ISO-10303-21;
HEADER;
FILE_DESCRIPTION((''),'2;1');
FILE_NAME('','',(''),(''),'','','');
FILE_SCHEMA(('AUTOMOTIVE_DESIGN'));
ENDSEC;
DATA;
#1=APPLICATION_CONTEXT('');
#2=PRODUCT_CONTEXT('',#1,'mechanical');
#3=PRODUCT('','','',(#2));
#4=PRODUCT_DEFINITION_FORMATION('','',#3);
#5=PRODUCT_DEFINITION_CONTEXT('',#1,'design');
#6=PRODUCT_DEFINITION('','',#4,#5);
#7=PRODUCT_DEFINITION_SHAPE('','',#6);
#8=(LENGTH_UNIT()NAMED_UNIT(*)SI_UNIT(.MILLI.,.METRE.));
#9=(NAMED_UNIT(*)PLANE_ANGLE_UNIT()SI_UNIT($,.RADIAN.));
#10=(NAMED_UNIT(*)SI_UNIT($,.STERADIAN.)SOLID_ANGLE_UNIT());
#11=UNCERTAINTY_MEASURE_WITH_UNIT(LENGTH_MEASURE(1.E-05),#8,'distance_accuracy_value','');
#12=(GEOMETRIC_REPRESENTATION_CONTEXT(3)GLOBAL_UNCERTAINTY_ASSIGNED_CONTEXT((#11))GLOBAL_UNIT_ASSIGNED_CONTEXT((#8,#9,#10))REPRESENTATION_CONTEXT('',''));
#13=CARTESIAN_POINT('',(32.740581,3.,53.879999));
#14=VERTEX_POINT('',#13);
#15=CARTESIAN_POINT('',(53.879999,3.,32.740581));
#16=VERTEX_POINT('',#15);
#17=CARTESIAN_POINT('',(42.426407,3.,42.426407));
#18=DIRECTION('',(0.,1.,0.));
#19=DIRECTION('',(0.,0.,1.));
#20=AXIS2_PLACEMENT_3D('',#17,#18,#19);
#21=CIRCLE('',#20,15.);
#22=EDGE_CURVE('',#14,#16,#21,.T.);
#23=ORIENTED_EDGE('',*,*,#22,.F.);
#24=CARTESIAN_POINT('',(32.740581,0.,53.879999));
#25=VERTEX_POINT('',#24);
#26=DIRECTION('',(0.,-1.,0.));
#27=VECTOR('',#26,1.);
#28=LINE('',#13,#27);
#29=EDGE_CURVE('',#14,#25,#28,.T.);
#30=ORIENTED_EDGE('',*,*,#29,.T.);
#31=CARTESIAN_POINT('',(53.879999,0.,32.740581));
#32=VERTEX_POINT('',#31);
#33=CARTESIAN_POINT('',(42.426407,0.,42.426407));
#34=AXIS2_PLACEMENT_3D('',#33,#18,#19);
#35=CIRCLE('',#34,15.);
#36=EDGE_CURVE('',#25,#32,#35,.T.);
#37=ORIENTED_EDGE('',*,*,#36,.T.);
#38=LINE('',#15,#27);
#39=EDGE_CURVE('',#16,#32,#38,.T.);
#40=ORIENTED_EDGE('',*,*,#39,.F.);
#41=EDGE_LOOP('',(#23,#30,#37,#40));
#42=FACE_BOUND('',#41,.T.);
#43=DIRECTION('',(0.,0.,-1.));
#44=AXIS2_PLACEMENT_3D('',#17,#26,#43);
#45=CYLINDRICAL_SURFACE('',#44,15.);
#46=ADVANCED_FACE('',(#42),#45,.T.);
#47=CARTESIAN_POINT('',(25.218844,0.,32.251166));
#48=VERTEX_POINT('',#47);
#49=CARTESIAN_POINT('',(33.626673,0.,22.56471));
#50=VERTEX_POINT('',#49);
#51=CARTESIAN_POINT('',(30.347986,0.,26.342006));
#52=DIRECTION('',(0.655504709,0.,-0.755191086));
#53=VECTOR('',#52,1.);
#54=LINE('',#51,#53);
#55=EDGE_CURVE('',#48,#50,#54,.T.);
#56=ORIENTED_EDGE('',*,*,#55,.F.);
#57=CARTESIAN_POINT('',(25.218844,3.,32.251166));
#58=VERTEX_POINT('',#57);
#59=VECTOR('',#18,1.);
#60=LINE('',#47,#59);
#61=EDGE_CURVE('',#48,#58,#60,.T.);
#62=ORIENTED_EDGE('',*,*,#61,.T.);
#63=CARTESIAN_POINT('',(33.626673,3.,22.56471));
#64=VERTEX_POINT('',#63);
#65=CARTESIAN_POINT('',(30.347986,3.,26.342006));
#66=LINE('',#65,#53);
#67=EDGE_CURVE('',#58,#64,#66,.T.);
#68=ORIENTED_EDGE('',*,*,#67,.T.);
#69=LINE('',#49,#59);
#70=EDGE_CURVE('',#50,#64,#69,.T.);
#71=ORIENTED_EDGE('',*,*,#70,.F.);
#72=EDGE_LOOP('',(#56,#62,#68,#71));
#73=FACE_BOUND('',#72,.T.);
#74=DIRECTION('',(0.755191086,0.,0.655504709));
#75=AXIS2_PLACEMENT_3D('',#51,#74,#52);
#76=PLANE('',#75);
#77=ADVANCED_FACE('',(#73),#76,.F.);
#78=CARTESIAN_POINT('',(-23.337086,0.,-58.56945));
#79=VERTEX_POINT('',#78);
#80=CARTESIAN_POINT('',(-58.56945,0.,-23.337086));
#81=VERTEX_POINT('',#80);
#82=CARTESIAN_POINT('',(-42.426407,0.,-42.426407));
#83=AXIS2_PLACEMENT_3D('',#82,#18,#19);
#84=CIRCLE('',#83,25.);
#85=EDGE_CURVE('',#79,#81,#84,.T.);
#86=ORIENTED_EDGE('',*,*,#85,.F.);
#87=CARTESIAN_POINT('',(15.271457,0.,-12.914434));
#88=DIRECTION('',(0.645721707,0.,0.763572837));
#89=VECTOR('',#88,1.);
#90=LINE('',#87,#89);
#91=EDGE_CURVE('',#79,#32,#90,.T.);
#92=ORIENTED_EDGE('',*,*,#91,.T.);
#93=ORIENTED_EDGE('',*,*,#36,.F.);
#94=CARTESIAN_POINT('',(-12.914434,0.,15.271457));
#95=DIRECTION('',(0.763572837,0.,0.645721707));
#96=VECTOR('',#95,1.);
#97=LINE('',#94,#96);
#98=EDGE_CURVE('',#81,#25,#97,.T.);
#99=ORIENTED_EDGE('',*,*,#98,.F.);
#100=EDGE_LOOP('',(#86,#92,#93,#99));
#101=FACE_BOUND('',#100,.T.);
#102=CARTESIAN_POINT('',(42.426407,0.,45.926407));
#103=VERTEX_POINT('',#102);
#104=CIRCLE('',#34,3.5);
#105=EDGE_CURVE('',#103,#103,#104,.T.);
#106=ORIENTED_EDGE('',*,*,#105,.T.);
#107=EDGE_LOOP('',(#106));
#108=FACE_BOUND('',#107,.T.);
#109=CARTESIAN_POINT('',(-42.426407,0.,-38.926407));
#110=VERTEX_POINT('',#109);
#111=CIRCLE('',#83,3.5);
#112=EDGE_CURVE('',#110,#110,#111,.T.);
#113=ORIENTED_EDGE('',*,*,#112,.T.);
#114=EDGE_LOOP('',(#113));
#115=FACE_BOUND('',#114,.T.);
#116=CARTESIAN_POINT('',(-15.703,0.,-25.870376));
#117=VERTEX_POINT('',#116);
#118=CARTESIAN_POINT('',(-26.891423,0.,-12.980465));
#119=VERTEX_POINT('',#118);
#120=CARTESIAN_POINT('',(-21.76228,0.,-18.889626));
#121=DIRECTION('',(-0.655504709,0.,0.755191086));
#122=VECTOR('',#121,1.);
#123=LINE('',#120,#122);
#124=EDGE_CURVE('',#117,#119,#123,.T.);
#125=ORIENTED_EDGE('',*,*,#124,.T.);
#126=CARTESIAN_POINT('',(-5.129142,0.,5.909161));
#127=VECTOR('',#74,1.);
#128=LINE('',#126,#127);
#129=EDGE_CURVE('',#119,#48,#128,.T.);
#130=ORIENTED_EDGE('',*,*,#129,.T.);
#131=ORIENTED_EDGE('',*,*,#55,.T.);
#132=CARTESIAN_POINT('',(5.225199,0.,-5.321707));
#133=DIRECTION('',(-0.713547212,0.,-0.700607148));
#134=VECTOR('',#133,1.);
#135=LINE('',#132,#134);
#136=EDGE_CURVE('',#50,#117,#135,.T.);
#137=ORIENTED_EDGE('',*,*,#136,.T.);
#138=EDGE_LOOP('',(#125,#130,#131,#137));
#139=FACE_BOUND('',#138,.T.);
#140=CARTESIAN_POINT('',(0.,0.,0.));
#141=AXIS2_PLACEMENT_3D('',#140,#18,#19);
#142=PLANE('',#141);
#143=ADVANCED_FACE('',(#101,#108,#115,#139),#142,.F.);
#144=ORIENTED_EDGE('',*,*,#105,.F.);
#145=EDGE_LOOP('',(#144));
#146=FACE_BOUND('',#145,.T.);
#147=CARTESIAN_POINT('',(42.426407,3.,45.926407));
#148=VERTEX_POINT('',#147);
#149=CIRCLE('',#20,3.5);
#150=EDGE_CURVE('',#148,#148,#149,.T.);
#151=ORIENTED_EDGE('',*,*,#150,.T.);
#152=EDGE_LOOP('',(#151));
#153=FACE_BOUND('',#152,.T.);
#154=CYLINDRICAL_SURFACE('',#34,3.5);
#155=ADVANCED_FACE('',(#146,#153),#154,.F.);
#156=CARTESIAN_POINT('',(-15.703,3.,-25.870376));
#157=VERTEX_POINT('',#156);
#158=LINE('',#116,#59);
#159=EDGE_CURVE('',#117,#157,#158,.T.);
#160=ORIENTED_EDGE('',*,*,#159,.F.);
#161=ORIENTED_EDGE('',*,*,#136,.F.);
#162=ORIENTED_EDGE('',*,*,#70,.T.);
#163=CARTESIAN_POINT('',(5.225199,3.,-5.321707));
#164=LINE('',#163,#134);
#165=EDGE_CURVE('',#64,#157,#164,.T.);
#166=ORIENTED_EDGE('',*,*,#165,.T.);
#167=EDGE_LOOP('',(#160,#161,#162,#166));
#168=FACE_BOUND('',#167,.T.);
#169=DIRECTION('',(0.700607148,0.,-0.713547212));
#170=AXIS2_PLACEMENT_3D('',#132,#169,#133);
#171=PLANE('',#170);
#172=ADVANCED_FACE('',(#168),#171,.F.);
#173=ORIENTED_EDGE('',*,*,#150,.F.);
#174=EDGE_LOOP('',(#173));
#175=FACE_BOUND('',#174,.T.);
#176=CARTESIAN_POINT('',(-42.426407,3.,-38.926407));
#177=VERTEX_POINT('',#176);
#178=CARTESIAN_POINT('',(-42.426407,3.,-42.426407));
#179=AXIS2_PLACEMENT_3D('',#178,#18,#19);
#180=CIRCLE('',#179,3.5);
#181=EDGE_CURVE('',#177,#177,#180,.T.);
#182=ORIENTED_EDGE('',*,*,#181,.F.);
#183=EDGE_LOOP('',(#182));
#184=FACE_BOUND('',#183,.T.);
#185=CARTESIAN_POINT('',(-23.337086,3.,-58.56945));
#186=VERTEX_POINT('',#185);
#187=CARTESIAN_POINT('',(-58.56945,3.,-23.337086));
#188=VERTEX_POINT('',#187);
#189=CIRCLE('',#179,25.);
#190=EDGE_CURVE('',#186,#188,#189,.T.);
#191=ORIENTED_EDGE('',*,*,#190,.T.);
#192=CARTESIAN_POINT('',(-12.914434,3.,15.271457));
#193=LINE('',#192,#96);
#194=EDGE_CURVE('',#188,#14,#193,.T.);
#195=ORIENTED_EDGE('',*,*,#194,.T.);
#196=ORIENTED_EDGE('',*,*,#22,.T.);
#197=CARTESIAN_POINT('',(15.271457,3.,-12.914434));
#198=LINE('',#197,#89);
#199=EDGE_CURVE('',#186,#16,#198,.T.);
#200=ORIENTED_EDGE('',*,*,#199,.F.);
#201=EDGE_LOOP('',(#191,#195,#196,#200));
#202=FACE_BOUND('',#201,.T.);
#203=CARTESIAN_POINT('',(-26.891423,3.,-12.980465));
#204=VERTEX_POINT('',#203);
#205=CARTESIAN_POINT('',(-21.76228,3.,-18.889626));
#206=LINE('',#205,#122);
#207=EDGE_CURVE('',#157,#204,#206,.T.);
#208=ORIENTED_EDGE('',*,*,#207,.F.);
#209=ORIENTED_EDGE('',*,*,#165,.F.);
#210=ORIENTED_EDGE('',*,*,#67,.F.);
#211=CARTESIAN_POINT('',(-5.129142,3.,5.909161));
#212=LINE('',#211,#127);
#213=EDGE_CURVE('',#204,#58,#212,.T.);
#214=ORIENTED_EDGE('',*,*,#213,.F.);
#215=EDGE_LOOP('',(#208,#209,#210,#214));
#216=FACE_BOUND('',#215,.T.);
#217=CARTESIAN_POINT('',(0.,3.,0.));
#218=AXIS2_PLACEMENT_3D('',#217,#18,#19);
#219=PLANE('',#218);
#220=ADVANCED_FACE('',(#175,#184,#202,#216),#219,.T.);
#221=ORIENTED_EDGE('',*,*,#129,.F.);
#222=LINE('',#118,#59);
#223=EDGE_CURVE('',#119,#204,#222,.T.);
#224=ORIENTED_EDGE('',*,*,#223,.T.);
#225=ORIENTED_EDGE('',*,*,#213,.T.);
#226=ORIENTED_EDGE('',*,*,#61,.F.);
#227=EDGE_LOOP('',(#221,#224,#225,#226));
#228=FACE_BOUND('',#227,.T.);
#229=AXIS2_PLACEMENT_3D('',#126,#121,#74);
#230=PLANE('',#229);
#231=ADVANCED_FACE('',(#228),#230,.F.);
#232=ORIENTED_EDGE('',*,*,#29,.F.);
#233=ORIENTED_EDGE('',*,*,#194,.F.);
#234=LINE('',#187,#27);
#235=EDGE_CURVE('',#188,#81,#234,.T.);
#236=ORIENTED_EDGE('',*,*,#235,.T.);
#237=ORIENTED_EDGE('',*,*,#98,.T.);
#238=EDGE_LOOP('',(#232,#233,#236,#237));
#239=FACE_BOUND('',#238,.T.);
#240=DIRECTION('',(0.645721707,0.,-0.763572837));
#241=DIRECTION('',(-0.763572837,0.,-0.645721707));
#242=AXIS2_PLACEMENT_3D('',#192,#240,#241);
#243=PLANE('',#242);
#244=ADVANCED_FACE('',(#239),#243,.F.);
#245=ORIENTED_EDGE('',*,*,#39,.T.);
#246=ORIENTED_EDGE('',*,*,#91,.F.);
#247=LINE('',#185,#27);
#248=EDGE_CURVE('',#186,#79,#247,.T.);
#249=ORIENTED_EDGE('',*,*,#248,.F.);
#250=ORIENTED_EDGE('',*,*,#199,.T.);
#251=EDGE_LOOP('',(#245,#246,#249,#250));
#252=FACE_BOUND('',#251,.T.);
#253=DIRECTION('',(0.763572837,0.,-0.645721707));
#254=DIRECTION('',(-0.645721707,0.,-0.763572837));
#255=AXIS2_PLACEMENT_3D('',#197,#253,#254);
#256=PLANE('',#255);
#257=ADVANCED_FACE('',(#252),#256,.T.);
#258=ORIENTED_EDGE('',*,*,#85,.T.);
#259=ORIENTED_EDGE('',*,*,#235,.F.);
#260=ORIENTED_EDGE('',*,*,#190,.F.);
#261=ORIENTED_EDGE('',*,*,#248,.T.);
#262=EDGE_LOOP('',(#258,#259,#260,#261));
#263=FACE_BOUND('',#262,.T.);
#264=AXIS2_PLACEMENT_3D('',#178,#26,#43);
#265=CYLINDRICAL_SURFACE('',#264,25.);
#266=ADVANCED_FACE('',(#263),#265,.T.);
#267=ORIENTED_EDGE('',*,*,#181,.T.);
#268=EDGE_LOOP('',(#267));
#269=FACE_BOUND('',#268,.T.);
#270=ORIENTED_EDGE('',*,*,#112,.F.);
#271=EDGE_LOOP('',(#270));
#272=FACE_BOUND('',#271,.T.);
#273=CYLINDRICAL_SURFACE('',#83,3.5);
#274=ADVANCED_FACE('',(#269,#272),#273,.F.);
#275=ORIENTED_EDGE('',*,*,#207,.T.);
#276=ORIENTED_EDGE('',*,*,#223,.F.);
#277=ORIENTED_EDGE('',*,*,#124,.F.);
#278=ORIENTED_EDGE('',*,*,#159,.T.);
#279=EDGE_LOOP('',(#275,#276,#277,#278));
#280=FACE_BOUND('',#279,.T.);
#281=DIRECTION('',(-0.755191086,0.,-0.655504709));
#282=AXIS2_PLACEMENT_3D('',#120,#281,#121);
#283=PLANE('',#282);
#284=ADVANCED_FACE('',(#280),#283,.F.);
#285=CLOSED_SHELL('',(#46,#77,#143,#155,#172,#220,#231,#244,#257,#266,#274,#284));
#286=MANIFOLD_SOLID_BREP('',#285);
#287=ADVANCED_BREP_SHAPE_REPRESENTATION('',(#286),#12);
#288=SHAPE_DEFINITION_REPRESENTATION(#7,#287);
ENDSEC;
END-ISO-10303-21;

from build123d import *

# Parameters (mm, degrees)
EXTRUDE_2_DEPTH     = 3
SKETCH_4_R          = 2.25
SKETCH_4_R_2        = 2.5
CUT_EXTRUDE_2_DEPTH = 96.402519291
SKETCH_6_R          = 3.5
CUT_EXTRUDE_3_DEPTH = 96.402519291
SKETCH_7_R          = 3.5
CUT_EXTRUDE_4_DEPTH = 96.402519291
CUT_EXTRUDE_5_DEPTH = 96.402519291


with BuildPart() as part:
    # 草图2 → 凸台-拉伸2 (new body)
    with BuildSketch(Plane(origin=(0, 0, 0), x_dir=(1, 0, 0), z_dir=(0, 1, 0))):
        with BuildLine():
            Line((-58.569449541, 23.337085947), (32.740581269, -53.879999426))
            ThreePointArc((32.740581269, -53.879999426), (53.033008589, -53.033008589), (53.879999426, -32.740581269))
            Line((53.879999426, -32.740581269), (-23.337085947, 58.569449541))
            ThreePointArc((-23.337085947, 58.569449541), (-60.104076401, 60.104076401), (-58.569449541, 23.337085947))
        make_face()
    extrude(amount=EXTRUDE_2_DEPTH)

    # 草图4 → 切除-拉伸2 (cut, through all)
    with BuildSketch(Plane(origin=(0, 3, 0), x_dir=(1, 0, 0), z_dir=(0, 1, 0))):
        with Locations(Location((-42.426406871, 42.426406871, 0), (0, 0, 270))):
            Circle(SKETCH_4_R)
        with Locations(Location((42.426406871, -42.426406871, 0), (0, 0, 270))):
            Circle(SKETCH_4_R_2)
    extrude(amount=-CUT_EXTRUDE_2_DEPTH, mode=Mode.SUBTRACT)

    # 草图6 → 切除-拉伸3 (cut, through all)
    with BuildSketch(Plane(origin=(0, 3, 0), x_dir=(1, 0, 0), z_dir=(0, 1, 0))):
        with Locations(Location((-42.426406871, 42.426406871, 0), (0, 0, 270))):
            Circle(SKETCH_6_R)
    extrude(amount=-CUT_EXTRUDE_3_DEPTH, mode=Mode.SUBTRACT)

    # 草图7 → 切除-拉伸4 (cut, through all)
    with BuildSketch(Plane(origin=(0, 3, 0), x_dir=(1, 0, 0), z_dir=(0, 1, 0))):
        with Locations(Location((42.426406871, -42.426406871, 0), (0, 0, 270))):
            Circle(SKETCH_7_R)
    extrude(amount=-CUT_EXTRUDE_4_DEPTH, mode=Mode.SUBTRACT)

    # 草图8 → 切除-拉伸5 (cut, through all)
    with BuildSketch(Plane(origin=(0, 3, 0), x_dir=(1, 0, 0), z_dir=(0, 1, 0))):
        Polygon((33.626672858, -22.564710472), (-15.702999665, 25.870376375), (-26.891422763, 12.98046534), (25.218843822, -32.251166492), align=None)
    extrude(amount=-CUT_EXTRUDE_5_DEPTH, mode=Mode.SUBTRACT)


solid = part.part
